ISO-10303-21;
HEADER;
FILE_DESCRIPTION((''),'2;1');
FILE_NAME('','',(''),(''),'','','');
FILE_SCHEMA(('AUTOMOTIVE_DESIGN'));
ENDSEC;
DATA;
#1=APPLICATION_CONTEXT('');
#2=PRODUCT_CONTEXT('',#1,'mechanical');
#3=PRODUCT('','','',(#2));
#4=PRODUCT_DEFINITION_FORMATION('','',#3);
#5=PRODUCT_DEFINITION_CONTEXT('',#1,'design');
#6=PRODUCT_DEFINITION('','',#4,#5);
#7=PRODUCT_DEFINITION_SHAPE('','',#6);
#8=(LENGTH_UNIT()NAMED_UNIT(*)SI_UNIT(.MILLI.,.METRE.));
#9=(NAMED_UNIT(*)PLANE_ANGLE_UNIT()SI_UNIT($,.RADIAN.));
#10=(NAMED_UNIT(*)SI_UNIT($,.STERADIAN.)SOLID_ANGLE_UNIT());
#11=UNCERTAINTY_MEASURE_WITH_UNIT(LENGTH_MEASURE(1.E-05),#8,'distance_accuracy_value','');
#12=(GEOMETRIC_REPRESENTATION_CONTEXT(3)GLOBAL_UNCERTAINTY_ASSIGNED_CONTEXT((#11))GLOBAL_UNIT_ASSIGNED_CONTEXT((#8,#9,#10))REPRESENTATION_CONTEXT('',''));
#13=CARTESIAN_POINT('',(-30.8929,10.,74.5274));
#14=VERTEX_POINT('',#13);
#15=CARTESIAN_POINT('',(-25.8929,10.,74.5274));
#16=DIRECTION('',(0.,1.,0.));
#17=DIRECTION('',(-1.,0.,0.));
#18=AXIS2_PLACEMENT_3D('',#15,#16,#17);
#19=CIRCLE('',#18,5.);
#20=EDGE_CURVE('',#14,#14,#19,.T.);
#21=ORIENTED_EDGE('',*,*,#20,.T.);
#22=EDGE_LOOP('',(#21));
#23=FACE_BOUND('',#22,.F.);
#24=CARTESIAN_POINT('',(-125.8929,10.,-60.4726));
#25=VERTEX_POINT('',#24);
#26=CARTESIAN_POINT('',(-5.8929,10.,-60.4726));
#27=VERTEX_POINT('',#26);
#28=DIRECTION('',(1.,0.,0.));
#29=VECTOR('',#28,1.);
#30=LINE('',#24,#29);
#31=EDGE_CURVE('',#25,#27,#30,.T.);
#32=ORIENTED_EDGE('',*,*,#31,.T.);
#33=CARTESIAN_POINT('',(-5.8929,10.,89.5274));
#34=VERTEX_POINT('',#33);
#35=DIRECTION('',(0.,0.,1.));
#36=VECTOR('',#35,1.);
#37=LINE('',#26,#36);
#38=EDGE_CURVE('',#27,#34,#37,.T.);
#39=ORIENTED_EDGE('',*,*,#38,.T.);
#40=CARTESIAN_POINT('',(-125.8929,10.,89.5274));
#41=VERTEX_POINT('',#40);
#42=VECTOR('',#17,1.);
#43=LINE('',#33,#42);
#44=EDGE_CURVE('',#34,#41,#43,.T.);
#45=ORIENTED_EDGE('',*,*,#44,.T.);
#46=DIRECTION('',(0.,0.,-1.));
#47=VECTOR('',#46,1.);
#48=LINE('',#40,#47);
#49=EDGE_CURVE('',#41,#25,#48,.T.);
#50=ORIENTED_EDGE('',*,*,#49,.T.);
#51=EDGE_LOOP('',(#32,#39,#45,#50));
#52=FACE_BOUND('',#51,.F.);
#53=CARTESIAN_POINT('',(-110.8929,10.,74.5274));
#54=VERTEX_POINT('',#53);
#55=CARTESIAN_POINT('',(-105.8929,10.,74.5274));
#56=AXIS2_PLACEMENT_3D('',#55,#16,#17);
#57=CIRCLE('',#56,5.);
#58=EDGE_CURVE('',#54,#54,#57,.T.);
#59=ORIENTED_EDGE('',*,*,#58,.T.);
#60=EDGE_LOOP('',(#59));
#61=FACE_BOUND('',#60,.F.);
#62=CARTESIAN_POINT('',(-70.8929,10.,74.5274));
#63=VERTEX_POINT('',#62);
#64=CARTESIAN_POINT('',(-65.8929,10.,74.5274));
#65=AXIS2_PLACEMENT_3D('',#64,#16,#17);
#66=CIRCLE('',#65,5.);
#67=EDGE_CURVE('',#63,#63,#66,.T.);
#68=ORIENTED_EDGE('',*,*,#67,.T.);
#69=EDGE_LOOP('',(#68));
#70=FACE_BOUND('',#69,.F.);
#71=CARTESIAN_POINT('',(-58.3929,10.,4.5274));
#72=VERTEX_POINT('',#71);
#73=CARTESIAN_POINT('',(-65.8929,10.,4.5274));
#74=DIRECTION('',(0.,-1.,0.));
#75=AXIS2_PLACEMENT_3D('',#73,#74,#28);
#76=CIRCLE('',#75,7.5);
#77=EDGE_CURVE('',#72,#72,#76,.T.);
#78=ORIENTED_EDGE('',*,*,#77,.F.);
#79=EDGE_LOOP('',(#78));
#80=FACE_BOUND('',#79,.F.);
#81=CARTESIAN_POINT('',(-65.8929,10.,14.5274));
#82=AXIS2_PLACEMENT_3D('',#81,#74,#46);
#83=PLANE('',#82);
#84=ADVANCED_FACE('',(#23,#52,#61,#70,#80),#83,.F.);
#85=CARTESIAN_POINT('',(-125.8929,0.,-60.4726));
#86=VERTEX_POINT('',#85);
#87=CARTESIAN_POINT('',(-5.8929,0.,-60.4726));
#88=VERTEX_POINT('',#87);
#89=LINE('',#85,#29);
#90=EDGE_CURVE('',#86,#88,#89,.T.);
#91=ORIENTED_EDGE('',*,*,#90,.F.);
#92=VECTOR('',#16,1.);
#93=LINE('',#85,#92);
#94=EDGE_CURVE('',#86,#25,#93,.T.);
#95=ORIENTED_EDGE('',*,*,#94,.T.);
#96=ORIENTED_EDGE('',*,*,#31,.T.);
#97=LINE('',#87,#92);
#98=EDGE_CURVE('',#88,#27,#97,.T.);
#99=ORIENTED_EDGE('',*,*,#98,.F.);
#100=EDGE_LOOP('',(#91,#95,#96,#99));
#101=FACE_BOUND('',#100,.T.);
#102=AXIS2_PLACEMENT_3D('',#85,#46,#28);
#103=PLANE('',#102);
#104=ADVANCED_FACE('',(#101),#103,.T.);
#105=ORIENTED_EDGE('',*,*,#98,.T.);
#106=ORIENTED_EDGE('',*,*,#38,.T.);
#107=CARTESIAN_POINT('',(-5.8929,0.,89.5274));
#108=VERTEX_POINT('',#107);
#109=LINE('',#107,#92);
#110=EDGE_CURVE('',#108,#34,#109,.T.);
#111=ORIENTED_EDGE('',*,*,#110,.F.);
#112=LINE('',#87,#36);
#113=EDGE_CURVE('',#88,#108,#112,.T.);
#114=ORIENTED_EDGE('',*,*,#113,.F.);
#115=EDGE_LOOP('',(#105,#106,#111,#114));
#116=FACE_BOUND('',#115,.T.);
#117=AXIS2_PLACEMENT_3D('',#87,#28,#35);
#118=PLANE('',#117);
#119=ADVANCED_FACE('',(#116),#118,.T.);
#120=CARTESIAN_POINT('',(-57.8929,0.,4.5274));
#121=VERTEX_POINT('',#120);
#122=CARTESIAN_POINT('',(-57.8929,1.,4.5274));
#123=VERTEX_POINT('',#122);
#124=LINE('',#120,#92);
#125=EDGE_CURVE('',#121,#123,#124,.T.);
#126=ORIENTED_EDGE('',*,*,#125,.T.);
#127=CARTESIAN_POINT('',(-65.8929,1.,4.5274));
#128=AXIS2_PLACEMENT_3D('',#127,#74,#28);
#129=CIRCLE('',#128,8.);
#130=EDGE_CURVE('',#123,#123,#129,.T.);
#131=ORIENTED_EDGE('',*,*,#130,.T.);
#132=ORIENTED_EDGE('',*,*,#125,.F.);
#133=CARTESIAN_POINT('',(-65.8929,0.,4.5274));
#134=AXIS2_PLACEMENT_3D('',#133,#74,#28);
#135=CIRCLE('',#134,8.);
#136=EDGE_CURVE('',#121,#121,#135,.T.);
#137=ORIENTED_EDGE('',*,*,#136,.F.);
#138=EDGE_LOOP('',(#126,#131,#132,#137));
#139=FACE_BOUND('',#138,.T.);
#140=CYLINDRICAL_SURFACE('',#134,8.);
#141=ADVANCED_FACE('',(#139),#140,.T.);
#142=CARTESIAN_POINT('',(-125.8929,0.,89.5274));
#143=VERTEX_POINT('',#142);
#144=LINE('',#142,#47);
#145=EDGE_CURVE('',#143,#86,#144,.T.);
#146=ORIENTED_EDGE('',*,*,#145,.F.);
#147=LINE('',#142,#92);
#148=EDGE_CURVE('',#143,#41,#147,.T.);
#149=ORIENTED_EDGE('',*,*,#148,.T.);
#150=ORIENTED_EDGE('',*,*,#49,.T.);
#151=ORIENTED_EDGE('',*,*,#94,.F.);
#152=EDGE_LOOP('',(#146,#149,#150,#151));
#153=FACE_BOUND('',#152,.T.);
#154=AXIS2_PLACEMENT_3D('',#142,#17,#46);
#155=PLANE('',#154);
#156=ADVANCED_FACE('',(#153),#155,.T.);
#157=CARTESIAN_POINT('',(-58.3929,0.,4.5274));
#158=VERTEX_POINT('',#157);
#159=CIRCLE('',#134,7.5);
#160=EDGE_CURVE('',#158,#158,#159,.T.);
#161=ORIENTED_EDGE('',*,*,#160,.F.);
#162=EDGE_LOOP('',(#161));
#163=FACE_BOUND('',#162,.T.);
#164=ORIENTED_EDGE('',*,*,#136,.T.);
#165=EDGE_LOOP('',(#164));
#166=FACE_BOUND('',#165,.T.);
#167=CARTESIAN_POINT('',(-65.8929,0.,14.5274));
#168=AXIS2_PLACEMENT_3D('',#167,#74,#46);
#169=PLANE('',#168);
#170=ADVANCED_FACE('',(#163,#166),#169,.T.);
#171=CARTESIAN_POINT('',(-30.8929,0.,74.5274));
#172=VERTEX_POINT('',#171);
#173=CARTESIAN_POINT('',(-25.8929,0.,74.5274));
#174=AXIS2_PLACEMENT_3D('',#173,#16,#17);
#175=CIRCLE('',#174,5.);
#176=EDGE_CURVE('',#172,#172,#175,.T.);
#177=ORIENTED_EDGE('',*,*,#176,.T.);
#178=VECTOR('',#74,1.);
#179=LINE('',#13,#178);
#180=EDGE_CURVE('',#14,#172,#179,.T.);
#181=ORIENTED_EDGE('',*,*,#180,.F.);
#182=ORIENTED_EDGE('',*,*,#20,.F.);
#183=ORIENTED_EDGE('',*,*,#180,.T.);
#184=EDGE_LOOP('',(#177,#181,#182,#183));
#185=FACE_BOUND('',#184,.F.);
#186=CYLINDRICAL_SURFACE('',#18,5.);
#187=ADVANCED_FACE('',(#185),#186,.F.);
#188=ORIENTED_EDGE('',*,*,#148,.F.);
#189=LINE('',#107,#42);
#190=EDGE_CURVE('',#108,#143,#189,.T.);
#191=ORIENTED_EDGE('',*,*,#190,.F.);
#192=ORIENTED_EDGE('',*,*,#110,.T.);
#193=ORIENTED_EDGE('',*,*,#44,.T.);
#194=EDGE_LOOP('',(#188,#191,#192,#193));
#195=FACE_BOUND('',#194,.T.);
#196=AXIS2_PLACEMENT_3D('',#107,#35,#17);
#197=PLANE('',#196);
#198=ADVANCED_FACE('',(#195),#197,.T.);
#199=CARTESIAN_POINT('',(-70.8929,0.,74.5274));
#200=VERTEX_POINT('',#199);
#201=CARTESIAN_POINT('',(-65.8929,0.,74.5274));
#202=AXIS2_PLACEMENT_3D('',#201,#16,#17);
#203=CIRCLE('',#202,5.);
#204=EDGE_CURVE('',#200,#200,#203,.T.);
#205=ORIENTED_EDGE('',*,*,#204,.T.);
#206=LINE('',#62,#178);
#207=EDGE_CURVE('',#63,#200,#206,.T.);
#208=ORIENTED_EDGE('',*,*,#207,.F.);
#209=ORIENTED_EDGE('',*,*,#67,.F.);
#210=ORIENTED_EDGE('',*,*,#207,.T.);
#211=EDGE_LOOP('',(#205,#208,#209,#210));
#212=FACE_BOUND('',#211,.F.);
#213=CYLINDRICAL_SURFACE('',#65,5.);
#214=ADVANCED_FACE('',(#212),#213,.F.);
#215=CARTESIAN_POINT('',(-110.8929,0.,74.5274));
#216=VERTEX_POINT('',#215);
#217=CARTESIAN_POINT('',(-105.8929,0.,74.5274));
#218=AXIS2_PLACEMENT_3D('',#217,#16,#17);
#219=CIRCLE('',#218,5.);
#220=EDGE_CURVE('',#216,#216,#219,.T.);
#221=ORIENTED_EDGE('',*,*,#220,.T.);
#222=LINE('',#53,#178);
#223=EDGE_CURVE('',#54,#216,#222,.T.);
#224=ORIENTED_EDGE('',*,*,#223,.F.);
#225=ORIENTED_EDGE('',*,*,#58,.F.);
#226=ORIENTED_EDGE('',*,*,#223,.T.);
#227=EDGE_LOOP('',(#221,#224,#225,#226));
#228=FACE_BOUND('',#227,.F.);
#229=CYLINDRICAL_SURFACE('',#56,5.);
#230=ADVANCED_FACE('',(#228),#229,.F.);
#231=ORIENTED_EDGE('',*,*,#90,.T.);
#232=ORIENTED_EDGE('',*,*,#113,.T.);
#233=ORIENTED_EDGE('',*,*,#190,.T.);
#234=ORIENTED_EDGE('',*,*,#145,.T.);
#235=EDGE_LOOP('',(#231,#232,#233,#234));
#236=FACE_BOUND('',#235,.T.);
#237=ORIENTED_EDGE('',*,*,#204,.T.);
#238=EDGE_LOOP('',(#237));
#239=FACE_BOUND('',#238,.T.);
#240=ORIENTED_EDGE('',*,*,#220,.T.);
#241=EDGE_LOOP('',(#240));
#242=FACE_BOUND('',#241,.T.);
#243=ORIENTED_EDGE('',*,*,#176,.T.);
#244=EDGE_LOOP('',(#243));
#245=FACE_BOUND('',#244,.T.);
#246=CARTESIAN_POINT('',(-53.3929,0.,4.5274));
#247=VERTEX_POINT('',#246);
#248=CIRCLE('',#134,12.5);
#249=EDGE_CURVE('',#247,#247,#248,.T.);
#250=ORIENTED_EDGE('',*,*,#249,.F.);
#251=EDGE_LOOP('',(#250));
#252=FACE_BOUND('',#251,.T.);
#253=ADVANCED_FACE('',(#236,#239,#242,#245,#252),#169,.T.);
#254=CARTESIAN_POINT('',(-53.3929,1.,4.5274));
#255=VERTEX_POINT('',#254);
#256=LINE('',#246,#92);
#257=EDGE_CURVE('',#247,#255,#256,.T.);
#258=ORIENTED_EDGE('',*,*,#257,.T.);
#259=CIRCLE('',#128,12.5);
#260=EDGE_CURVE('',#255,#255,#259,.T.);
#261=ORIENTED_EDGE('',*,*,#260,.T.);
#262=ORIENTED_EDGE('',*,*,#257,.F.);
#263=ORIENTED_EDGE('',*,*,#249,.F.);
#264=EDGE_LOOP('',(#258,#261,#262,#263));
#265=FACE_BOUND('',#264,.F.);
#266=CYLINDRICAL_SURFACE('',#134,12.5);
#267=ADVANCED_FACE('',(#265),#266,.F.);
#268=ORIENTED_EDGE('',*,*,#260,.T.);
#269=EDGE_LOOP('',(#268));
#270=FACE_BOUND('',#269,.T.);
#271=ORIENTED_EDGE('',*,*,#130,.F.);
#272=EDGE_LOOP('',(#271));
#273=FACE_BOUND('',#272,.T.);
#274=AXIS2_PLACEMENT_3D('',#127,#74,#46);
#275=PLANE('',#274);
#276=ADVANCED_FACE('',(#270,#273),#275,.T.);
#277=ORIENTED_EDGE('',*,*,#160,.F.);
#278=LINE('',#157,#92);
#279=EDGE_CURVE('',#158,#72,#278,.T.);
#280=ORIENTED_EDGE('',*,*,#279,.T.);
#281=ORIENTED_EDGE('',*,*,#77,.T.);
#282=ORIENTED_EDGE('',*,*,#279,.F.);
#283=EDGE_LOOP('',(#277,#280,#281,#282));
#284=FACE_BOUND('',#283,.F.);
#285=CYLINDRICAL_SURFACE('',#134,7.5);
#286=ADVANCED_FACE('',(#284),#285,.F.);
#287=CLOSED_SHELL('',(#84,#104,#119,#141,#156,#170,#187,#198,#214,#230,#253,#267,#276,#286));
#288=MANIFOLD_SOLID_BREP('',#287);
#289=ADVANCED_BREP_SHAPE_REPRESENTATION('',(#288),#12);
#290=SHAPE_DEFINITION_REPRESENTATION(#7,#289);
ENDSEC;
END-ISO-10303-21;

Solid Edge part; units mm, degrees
sketch "Sketch1" plane through (0, 0, 0) normal (0, -1, 0) x (1, 0, 0)
  line L0 (-125.8929, -60.4726) -> (-5.8929, -60.4726)
  line L1 (-5.8929, -60.4726) -> (-5.8929, 89.5274)
  line L2 (-5.8929, 89.5274) -> (-125.8929, 89.5274)
  line L3 (-125.8929, 89.5274) -> (-125.8929, -60.4726)
  dimension "D1" = 120
  dimension "D2" = 150
extrude "Protrusion1" add sketch "Sketch1" against normal blind 10
sketch "Sketch2" plane through (-70.8929, 0, 14.5274) normal (0, -1, 0) x (1, 0, 0)
  circle A0 centre (5, -10) radius 8
  circle A1 centre (5, -10) radius 12.5
  dimension "D1" = 16
  dimension "D2" = 25
  dimension "D3" = 60
  dimension "D4" = 65
  dimension "D5" = 120
extrude "ExtrudedCutout_1" cut sketch "Sketch2" against normal blind 1
sketch "Sketch3" plane through (-70.8929, 0, 4.5274) normal (0, -1, 0) x (1, 0, 0)
  circle A0 centre (5, 0) radius 7.5
  dimension "D1" = 15
extrude "Cutout1" cut sketch "Sketch3" against normal through all
sketch "Sketch4" plane through (-70.8929, 10, 14.5274) normal (0, 1, 0) x (-1, 0, 0)
  circle A0 centre (-5, 60) radius 5
  circle A1 centre (35, 60) radius 5
  circle A2 centre (-45, 60) radius 5
  dimension "D1" = 40
  dimension "D2" = 40
  dimension "D3" = 10
  dimension "D4" = 10
  dimension "D5" = 10
  dimension "D6" = 20
  dimension "D7" = 15
extrude "Cutout2" cut sketch "Sketch4" against normal through all
